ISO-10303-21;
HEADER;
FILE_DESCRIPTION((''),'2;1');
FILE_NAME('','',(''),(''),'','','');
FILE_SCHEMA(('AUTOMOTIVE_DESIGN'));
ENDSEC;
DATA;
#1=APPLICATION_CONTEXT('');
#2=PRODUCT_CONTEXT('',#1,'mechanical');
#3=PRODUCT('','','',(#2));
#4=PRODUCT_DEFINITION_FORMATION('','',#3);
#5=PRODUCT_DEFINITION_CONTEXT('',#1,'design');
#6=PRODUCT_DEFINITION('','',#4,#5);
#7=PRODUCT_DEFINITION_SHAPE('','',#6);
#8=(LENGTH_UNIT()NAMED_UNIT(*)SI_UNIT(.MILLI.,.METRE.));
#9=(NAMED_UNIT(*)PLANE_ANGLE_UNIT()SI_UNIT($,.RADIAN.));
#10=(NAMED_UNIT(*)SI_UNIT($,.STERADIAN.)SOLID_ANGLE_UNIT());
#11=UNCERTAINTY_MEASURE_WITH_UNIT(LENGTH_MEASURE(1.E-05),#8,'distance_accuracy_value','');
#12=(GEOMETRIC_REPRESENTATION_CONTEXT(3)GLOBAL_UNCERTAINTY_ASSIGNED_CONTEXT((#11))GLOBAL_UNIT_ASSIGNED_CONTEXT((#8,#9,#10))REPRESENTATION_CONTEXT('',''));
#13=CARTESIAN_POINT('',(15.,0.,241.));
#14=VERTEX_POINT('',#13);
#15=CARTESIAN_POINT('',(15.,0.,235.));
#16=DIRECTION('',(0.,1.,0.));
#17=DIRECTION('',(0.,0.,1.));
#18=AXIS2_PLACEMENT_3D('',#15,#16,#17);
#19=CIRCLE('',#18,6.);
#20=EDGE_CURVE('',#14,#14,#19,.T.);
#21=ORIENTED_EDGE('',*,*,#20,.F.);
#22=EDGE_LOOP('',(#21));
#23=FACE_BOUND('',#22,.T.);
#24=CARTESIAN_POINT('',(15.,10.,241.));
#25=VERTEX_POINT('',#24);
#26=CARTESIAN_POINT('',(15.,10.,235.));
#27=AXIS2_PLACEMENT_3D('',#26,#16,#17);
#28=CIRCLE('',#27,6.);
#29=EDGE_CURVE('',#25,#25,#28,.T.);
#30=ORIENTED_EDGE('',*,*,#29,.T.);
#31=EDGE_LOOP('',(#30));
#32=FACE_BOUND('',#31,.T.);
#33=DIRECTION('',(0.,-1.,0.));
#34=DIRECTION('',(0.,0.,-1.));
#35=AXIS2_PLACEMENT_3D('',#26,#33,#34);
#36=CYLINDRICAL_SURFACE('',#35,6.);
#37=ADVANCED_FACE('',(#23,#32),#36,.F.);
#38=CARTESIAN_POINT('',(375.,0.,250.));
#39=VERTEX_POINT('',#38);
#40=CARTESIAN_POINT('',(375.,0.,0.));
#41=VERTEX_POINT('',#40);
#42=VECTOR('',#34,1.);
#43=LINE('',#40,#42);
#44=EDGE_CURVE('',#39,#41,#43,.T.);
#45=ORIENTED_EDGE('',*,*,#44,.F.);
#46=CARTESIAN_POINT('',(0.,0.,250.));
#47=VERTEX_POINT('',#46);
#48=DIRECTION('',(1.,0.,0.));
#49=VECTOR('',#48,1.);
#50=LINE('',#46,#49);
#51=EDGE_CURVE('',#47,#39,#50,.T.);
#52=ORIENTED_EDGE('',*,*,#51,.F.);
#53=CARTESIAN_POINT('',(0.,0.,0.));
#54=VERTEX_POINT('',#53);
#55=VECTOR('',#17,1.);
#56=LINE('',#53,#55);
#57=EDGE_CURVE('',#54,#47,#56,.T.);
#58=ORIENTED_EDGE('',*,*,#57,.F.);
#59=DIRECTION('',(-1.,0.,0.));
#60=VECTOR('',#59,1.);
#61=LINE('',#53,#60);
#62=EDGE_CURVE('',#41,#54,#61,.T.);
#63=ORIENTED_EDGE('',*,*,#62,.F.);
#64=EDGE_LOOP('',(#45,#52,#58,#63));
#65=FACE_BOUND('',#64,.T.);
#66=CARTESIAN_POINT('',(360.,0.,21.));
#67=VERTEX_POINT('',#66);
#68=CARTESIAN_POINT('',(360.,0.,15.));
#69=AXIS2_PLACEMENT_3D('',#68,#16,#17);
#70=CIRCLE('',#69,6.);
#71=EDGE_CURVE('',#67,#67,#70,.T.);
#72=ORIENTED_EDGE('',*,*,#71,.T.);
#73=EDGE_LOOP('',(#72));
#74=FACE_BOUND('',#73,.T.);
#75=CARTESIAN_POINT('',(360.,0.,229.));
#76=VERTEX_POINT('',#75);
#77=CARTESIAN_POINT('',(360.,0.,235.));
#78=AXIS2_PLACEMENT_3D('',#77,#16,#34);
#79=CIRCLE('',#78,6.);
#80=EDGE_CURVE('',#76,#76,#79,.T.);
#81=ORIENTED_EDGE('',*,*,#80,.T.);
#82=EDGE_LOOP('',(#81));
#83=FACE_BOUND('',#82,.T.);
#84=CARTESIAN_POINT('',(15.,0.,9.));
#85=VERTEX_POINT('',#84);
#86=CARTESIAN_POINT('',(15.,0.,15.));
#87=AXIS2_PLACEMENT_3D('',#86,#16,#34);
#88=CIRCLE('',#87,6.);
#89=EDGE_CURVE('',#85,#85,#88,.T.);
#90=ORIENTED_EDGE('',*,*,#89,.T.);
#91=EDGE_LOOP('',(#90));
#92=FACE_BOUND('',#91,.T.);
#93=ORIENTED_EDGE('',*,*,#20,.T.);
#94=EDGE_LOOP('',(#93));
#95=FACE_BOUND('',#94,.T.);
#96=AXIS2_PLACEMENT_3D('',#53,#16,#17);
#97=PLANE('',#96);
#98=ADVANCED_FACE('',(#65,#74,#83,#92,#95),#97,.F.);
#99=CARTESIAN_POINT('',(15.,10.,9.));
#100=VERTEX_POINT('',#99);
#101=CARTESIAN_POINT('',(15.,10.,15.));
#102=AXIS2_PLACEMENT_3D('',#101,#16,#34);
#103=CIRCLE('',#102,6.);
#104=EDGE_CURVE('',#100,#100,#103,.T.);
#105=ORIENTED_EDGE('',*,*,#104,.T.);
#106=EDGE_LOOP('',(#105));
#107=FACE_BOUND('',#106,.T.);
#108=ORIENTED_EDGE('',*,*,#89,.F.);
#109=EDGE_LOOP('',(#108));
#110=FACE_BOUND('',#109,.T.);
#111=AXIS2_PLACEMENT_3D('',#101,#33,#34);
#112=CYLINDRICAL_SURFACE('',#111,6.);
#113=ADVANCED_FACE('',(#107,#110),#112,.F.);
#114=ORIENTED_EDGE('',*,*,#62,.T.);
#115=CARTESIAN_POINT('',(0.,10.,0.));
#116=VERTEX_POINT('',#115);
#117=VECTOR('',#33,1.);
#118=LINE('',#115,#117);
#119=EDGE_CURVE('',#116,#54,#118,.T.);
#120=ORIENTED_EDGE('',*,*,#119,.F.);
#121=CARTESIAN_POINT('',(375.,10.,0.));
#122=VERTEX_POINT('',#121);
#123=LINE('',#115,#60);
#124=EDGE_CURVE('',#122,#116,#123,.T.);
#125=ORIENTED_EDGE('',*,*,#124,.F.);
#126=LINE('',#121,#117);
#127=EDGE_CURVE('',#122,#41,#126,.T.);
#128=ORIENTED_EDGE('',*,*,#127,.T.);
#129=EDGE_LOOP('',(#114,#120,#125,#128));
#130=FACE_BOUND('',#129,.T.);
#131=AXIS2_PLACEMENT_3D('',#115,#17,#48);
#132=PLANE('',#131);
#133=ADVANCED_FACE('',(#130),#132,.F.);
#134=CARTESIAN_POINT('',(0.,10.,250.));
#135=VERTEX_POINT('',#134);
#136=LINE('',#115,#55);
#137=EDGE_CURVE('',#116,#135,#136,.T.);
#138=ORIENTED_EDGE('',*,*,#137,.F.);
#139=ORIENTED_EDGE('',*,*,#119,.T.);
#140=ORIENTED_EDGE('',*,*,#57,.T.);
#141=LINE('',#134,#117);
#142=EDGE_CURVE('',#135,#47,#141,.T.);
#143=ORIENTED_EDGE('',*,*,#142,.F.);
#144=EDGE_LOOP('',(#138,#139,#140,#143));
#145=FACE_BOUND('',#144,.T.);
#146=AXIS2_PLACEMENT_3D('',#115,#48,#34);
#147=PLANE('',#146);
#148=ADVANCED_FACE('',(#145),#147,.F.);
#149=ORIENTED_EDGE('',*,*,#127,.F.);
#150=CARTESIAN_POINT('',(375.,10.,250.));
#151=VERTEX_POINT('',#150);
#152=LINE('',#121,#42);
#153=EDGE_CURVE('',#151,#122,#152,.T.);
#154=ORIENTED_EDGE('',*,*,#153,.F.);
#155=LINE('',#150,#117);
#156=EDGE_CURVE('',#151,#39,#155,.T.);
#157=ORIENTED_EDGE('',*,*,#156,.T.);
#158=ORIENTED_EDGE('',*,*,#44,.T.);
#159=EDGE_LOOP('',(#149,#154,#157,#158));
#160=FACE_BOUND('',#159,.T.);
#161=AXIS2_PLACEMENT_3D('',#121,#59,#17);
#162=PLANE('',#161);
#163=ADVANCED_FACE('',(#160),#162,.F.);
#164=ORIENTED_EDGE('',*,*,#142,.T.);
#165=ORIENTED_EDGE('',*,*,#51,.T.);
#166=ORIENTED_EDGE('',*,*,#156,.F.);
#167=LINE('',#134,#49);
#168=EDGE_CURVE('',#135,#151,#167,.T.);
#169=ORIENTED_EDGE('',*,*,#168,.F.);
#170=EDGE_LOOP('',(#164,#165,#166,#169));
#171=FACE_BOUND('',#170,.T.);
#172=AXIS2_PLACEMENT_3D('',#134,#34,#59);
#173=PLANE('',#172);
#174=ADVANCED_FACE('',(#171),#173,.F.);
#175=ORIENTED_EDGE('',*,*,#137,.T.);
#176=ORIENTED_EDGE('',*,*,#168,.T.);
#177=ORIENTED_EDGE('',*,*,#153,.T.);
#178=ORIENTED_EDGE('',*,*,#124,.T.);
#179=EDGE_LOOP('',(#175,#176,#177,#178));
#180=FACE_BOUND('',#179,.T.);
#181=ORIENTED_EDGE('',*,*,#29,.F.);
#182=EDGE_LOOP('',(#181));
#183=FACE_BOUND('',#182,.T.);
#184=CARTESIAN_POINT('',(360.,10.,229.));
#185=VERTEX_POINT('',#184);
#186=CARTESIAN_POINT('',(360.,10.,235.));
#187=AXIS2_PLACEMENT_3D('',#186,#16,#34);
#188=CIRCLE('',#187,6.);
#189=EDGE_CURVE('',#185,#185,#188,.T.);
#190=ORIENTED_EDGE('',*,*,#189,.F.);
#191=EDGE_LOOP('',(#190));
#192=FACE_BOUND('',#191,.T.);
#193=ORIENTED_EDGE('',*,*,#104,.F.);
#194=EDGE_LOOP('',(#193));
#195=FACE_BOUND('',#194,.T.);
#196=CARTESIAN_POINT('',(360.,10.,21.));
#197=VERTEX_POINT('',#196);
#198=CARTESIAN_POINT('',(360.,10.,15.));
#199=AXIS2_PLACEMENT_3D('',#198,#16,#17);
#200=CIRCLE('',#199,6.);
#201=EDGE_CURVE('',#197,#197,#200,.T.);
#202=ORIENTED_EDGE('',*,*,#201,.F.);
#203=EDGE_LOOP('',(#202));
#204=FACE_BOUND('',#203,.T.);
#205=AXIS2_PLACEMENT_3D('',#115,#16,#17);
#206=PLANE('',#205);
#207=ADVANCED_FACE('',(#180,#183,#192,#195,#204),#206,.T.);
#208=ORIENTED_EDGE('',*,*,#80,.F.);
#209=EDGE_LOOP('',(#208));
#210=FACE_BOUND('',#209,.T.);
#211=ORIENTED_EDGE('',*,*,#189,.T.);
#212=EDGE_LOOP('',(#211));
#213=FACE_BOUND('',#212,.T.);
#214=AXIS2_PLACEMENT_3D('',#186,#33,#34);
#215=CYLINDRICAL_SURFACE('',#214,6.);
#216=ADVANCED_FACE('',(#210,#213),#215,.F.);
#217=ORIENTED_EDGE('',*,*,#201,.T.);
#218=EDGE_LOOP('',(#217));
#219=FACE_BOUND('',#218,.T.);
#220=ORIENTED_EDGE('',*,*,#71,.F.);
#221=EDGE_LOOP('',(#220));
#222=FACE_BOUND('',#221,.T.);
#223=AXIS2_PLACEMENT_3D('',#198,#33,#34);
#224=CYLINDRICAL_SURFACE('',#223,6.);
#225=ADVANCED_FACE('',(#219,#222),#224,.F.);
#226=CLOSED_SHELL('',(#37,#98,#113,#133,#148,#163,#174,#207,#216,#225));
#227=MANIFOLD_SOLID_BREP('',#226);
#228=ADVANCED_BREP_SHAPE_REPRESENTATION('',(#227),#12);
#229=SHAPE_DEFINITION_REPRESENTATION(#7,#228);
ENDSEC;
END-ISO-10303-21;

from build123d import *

# Parameters (mm, degrees)
SKETCH1_W           = 375
SKETCH1_H           = 250
SKETCH1_R           = 6
BOSS_EXTRUDE1_DEPTH = 10


with BuildPart() as part:
    # Sketch1 → Boss-Extrude1 (new body)
    with BuildSketch(Plane(origin=(0, 0, 0), x_dir=(1, 0, 0), z_dir=(0, 1, 0))):
        with Locations((187.5, -125)):
            Rectangle(SKETCH1_W, SKETCH1_H)
        with Locations(Location((360, -15, 0), (0, 0, 270))):
            Circle(SKETCH1_R, mode=Mode.SUBTRACT)
        with Locations(Location((15, -15, 0), (0, 0, 90))):
            Circle(SKETCH1_R, mode=Mode.SUBTRACT)
        with Locations(Location((360, -235, 0), (0, 0, 90))):
            Circle(SKETCH1_R, mode=Mode.SUBTRACT)
        with Locations(Location((15, -235, 0), (0, 0, 270))):
            Circle(SKETCH1_R, mode=Mode.SUBTRACT)
    extrude(amount=BOSS_EXTRUDE1_DEPTH)


solid = part.part
